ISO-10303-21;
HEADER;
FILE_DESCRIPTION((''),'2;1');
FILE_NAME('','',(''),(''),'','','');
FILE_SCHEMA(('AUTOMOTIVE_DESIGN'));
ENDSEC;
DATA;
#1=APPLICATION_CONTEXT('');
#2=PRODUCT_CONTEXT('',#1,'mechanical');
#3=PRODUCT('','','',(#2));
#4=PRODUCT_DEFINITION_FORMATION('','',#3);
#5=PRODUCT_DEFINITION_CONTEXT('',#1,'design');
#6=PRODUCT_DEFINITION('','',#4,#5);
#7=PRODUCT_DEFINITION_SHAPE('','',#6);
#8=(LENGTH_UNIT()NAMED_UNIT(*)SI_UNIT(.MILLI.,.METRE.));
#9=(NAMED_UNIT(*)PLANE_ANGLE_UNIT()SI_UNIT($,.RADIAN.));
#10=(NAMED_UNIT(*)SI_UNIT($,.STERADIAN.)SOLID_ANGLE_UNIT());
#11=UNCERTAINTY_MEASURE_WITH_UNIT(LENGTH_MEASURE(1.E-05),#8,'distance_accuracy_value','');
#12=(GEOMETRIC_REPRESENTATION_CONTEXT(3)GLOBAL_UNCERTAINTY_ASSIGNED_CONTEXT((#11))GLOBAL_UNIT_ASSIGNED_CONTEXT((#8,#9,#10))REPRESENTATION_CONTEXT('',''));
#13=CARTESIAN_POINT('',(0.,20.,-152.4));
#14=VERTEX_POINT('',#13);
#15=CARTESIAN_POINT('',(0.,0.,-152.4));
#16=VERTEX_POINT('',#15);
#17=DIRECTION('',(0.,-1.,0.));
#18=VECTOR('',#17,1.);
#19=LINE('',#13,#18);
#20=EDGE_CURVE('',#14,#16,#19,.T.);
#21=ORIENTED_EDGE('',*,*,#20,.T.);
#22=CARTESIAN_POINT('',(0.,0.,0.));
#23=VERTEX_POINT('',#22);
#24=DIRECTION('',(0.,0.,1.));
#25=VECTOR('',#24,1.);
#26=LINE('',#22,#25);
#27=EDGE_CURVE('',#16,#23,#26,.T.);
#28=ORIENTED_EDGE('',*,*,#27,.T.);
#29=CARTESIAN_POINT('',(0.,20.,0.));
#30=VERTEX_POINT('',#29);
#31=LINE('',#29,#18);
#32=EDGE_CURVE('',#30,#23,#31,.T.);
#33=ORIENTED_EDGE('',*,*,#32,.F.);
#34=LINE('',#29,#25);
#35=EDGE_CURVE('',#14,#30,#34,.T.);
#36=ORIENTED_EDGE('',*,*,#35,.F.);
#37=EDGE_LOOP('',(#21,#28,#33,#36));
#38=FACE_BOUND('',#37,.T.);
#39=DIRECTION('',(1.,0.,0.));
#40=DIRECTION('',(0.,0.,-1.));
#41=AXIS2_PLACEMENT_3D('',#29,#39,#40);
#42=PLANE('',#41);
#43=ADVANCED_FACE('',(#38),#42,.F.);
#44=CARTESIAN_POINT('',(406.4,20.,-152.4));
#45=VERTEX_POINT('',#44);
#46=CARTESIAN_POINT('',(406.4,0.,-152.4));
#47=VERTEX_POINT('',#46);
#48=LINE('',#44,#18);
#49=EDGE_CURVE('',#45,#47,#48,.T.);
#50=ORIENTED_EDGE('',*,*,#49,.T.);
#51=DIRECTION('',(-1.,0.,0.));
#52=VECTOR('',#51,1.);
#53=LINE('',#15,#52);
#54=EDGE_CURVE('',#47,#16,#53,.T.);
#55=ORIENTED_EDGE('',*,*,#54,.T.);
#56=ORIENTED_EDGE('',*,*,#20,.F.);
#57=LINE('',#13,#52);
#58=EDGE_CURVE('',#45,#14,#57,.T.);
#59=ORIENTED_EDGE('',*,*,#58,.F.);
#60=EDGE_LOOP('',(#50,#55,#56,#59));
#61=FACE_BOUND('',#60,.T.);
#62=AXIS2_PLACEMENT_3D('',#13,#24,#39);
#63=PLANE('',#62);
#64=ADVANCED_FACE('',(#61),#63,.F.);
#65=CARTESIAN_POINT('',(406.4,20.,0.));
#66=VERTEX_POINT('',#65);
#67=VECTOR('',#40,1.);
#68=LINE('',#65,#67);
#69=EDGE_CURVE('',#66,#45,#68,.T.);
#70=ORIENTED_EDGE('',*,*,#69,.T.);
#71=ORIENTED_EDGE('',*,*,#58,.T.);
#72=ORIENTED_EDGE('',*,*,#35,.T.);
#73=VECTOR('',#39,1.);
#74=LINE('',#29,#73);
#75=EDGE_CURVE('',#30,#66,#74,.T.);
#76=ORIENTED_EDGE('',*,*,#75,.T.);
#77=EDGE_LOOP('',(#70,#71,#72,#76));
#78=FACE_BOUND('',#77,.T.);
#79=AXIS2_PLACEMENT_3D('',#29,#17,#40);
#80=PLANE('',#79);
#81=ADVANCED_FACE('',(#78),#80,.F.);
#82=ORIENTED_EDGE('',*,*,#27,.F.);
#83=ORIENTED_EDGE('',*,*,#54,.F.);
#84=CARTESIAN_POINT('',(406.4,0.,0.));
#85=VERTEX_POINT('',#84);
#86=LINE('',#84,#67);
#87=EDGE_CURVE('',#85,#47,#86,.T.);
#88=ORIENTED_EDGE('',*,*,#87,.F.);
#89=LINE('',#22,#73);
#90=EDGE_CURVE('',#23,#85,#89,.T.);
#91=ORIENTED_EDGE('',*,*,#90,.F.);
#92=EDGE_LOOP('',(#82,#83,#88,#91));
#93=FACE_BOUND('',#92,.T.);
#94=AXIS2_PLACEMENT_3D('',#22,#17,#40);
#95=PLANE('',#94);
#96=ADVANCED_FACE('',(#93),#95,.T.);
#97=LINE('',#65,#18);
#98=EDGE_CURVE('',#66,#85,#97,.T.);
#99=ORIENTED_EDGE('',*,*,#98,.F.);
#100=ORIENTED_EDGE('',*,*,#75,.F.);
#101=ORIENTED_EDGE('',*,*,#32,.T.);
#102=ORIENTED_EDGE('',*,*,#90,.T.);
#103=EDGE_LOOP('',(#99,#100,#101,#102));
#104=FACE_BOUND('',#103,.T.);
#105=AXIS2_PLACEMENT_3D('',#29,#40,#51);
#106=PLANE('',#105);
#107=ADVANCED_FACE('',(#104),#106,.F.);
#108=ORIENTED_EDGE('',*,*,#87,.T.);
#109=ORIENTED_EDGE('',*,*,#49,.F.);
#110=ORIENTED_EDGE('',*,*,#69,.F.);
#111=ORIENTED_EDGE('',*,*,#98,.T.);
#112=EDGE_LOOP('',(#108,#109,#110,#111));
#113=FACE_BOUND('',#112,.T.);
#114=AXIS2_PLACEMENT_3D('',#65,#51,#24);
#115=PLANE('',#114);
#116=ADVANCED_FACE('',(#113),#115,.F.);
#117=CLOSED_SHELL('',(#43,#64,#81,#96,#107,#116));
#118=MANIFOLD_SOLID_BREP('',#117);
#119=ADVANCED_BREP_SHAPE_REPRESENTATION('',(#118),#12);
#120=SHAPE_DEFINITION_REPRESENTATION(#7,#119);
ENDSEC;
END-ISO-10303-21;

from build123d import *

# Parameters (mm, degrees)
MAIN_BASE_DIM_W = 406.4
MAIN_BASE_DIM_H = 152.4
MAIN_BASE_DEPTH = 20


with BuildPart() as part:
    # Main Base Dim → Main Base (new body)
    with BuildSketch(Plane(origin=(0, 0, 0), x_dir=(1, 0, 0), z_dir=(0, 1, 0))):
        with Locations((203.2, 76.2)):
            Rectangle(MAIN_BASE_DIM_W, MAIN_BASE_DIM_H)
    extrude(amount=MAIN_BASE_DEPTH)


solid = part.part
